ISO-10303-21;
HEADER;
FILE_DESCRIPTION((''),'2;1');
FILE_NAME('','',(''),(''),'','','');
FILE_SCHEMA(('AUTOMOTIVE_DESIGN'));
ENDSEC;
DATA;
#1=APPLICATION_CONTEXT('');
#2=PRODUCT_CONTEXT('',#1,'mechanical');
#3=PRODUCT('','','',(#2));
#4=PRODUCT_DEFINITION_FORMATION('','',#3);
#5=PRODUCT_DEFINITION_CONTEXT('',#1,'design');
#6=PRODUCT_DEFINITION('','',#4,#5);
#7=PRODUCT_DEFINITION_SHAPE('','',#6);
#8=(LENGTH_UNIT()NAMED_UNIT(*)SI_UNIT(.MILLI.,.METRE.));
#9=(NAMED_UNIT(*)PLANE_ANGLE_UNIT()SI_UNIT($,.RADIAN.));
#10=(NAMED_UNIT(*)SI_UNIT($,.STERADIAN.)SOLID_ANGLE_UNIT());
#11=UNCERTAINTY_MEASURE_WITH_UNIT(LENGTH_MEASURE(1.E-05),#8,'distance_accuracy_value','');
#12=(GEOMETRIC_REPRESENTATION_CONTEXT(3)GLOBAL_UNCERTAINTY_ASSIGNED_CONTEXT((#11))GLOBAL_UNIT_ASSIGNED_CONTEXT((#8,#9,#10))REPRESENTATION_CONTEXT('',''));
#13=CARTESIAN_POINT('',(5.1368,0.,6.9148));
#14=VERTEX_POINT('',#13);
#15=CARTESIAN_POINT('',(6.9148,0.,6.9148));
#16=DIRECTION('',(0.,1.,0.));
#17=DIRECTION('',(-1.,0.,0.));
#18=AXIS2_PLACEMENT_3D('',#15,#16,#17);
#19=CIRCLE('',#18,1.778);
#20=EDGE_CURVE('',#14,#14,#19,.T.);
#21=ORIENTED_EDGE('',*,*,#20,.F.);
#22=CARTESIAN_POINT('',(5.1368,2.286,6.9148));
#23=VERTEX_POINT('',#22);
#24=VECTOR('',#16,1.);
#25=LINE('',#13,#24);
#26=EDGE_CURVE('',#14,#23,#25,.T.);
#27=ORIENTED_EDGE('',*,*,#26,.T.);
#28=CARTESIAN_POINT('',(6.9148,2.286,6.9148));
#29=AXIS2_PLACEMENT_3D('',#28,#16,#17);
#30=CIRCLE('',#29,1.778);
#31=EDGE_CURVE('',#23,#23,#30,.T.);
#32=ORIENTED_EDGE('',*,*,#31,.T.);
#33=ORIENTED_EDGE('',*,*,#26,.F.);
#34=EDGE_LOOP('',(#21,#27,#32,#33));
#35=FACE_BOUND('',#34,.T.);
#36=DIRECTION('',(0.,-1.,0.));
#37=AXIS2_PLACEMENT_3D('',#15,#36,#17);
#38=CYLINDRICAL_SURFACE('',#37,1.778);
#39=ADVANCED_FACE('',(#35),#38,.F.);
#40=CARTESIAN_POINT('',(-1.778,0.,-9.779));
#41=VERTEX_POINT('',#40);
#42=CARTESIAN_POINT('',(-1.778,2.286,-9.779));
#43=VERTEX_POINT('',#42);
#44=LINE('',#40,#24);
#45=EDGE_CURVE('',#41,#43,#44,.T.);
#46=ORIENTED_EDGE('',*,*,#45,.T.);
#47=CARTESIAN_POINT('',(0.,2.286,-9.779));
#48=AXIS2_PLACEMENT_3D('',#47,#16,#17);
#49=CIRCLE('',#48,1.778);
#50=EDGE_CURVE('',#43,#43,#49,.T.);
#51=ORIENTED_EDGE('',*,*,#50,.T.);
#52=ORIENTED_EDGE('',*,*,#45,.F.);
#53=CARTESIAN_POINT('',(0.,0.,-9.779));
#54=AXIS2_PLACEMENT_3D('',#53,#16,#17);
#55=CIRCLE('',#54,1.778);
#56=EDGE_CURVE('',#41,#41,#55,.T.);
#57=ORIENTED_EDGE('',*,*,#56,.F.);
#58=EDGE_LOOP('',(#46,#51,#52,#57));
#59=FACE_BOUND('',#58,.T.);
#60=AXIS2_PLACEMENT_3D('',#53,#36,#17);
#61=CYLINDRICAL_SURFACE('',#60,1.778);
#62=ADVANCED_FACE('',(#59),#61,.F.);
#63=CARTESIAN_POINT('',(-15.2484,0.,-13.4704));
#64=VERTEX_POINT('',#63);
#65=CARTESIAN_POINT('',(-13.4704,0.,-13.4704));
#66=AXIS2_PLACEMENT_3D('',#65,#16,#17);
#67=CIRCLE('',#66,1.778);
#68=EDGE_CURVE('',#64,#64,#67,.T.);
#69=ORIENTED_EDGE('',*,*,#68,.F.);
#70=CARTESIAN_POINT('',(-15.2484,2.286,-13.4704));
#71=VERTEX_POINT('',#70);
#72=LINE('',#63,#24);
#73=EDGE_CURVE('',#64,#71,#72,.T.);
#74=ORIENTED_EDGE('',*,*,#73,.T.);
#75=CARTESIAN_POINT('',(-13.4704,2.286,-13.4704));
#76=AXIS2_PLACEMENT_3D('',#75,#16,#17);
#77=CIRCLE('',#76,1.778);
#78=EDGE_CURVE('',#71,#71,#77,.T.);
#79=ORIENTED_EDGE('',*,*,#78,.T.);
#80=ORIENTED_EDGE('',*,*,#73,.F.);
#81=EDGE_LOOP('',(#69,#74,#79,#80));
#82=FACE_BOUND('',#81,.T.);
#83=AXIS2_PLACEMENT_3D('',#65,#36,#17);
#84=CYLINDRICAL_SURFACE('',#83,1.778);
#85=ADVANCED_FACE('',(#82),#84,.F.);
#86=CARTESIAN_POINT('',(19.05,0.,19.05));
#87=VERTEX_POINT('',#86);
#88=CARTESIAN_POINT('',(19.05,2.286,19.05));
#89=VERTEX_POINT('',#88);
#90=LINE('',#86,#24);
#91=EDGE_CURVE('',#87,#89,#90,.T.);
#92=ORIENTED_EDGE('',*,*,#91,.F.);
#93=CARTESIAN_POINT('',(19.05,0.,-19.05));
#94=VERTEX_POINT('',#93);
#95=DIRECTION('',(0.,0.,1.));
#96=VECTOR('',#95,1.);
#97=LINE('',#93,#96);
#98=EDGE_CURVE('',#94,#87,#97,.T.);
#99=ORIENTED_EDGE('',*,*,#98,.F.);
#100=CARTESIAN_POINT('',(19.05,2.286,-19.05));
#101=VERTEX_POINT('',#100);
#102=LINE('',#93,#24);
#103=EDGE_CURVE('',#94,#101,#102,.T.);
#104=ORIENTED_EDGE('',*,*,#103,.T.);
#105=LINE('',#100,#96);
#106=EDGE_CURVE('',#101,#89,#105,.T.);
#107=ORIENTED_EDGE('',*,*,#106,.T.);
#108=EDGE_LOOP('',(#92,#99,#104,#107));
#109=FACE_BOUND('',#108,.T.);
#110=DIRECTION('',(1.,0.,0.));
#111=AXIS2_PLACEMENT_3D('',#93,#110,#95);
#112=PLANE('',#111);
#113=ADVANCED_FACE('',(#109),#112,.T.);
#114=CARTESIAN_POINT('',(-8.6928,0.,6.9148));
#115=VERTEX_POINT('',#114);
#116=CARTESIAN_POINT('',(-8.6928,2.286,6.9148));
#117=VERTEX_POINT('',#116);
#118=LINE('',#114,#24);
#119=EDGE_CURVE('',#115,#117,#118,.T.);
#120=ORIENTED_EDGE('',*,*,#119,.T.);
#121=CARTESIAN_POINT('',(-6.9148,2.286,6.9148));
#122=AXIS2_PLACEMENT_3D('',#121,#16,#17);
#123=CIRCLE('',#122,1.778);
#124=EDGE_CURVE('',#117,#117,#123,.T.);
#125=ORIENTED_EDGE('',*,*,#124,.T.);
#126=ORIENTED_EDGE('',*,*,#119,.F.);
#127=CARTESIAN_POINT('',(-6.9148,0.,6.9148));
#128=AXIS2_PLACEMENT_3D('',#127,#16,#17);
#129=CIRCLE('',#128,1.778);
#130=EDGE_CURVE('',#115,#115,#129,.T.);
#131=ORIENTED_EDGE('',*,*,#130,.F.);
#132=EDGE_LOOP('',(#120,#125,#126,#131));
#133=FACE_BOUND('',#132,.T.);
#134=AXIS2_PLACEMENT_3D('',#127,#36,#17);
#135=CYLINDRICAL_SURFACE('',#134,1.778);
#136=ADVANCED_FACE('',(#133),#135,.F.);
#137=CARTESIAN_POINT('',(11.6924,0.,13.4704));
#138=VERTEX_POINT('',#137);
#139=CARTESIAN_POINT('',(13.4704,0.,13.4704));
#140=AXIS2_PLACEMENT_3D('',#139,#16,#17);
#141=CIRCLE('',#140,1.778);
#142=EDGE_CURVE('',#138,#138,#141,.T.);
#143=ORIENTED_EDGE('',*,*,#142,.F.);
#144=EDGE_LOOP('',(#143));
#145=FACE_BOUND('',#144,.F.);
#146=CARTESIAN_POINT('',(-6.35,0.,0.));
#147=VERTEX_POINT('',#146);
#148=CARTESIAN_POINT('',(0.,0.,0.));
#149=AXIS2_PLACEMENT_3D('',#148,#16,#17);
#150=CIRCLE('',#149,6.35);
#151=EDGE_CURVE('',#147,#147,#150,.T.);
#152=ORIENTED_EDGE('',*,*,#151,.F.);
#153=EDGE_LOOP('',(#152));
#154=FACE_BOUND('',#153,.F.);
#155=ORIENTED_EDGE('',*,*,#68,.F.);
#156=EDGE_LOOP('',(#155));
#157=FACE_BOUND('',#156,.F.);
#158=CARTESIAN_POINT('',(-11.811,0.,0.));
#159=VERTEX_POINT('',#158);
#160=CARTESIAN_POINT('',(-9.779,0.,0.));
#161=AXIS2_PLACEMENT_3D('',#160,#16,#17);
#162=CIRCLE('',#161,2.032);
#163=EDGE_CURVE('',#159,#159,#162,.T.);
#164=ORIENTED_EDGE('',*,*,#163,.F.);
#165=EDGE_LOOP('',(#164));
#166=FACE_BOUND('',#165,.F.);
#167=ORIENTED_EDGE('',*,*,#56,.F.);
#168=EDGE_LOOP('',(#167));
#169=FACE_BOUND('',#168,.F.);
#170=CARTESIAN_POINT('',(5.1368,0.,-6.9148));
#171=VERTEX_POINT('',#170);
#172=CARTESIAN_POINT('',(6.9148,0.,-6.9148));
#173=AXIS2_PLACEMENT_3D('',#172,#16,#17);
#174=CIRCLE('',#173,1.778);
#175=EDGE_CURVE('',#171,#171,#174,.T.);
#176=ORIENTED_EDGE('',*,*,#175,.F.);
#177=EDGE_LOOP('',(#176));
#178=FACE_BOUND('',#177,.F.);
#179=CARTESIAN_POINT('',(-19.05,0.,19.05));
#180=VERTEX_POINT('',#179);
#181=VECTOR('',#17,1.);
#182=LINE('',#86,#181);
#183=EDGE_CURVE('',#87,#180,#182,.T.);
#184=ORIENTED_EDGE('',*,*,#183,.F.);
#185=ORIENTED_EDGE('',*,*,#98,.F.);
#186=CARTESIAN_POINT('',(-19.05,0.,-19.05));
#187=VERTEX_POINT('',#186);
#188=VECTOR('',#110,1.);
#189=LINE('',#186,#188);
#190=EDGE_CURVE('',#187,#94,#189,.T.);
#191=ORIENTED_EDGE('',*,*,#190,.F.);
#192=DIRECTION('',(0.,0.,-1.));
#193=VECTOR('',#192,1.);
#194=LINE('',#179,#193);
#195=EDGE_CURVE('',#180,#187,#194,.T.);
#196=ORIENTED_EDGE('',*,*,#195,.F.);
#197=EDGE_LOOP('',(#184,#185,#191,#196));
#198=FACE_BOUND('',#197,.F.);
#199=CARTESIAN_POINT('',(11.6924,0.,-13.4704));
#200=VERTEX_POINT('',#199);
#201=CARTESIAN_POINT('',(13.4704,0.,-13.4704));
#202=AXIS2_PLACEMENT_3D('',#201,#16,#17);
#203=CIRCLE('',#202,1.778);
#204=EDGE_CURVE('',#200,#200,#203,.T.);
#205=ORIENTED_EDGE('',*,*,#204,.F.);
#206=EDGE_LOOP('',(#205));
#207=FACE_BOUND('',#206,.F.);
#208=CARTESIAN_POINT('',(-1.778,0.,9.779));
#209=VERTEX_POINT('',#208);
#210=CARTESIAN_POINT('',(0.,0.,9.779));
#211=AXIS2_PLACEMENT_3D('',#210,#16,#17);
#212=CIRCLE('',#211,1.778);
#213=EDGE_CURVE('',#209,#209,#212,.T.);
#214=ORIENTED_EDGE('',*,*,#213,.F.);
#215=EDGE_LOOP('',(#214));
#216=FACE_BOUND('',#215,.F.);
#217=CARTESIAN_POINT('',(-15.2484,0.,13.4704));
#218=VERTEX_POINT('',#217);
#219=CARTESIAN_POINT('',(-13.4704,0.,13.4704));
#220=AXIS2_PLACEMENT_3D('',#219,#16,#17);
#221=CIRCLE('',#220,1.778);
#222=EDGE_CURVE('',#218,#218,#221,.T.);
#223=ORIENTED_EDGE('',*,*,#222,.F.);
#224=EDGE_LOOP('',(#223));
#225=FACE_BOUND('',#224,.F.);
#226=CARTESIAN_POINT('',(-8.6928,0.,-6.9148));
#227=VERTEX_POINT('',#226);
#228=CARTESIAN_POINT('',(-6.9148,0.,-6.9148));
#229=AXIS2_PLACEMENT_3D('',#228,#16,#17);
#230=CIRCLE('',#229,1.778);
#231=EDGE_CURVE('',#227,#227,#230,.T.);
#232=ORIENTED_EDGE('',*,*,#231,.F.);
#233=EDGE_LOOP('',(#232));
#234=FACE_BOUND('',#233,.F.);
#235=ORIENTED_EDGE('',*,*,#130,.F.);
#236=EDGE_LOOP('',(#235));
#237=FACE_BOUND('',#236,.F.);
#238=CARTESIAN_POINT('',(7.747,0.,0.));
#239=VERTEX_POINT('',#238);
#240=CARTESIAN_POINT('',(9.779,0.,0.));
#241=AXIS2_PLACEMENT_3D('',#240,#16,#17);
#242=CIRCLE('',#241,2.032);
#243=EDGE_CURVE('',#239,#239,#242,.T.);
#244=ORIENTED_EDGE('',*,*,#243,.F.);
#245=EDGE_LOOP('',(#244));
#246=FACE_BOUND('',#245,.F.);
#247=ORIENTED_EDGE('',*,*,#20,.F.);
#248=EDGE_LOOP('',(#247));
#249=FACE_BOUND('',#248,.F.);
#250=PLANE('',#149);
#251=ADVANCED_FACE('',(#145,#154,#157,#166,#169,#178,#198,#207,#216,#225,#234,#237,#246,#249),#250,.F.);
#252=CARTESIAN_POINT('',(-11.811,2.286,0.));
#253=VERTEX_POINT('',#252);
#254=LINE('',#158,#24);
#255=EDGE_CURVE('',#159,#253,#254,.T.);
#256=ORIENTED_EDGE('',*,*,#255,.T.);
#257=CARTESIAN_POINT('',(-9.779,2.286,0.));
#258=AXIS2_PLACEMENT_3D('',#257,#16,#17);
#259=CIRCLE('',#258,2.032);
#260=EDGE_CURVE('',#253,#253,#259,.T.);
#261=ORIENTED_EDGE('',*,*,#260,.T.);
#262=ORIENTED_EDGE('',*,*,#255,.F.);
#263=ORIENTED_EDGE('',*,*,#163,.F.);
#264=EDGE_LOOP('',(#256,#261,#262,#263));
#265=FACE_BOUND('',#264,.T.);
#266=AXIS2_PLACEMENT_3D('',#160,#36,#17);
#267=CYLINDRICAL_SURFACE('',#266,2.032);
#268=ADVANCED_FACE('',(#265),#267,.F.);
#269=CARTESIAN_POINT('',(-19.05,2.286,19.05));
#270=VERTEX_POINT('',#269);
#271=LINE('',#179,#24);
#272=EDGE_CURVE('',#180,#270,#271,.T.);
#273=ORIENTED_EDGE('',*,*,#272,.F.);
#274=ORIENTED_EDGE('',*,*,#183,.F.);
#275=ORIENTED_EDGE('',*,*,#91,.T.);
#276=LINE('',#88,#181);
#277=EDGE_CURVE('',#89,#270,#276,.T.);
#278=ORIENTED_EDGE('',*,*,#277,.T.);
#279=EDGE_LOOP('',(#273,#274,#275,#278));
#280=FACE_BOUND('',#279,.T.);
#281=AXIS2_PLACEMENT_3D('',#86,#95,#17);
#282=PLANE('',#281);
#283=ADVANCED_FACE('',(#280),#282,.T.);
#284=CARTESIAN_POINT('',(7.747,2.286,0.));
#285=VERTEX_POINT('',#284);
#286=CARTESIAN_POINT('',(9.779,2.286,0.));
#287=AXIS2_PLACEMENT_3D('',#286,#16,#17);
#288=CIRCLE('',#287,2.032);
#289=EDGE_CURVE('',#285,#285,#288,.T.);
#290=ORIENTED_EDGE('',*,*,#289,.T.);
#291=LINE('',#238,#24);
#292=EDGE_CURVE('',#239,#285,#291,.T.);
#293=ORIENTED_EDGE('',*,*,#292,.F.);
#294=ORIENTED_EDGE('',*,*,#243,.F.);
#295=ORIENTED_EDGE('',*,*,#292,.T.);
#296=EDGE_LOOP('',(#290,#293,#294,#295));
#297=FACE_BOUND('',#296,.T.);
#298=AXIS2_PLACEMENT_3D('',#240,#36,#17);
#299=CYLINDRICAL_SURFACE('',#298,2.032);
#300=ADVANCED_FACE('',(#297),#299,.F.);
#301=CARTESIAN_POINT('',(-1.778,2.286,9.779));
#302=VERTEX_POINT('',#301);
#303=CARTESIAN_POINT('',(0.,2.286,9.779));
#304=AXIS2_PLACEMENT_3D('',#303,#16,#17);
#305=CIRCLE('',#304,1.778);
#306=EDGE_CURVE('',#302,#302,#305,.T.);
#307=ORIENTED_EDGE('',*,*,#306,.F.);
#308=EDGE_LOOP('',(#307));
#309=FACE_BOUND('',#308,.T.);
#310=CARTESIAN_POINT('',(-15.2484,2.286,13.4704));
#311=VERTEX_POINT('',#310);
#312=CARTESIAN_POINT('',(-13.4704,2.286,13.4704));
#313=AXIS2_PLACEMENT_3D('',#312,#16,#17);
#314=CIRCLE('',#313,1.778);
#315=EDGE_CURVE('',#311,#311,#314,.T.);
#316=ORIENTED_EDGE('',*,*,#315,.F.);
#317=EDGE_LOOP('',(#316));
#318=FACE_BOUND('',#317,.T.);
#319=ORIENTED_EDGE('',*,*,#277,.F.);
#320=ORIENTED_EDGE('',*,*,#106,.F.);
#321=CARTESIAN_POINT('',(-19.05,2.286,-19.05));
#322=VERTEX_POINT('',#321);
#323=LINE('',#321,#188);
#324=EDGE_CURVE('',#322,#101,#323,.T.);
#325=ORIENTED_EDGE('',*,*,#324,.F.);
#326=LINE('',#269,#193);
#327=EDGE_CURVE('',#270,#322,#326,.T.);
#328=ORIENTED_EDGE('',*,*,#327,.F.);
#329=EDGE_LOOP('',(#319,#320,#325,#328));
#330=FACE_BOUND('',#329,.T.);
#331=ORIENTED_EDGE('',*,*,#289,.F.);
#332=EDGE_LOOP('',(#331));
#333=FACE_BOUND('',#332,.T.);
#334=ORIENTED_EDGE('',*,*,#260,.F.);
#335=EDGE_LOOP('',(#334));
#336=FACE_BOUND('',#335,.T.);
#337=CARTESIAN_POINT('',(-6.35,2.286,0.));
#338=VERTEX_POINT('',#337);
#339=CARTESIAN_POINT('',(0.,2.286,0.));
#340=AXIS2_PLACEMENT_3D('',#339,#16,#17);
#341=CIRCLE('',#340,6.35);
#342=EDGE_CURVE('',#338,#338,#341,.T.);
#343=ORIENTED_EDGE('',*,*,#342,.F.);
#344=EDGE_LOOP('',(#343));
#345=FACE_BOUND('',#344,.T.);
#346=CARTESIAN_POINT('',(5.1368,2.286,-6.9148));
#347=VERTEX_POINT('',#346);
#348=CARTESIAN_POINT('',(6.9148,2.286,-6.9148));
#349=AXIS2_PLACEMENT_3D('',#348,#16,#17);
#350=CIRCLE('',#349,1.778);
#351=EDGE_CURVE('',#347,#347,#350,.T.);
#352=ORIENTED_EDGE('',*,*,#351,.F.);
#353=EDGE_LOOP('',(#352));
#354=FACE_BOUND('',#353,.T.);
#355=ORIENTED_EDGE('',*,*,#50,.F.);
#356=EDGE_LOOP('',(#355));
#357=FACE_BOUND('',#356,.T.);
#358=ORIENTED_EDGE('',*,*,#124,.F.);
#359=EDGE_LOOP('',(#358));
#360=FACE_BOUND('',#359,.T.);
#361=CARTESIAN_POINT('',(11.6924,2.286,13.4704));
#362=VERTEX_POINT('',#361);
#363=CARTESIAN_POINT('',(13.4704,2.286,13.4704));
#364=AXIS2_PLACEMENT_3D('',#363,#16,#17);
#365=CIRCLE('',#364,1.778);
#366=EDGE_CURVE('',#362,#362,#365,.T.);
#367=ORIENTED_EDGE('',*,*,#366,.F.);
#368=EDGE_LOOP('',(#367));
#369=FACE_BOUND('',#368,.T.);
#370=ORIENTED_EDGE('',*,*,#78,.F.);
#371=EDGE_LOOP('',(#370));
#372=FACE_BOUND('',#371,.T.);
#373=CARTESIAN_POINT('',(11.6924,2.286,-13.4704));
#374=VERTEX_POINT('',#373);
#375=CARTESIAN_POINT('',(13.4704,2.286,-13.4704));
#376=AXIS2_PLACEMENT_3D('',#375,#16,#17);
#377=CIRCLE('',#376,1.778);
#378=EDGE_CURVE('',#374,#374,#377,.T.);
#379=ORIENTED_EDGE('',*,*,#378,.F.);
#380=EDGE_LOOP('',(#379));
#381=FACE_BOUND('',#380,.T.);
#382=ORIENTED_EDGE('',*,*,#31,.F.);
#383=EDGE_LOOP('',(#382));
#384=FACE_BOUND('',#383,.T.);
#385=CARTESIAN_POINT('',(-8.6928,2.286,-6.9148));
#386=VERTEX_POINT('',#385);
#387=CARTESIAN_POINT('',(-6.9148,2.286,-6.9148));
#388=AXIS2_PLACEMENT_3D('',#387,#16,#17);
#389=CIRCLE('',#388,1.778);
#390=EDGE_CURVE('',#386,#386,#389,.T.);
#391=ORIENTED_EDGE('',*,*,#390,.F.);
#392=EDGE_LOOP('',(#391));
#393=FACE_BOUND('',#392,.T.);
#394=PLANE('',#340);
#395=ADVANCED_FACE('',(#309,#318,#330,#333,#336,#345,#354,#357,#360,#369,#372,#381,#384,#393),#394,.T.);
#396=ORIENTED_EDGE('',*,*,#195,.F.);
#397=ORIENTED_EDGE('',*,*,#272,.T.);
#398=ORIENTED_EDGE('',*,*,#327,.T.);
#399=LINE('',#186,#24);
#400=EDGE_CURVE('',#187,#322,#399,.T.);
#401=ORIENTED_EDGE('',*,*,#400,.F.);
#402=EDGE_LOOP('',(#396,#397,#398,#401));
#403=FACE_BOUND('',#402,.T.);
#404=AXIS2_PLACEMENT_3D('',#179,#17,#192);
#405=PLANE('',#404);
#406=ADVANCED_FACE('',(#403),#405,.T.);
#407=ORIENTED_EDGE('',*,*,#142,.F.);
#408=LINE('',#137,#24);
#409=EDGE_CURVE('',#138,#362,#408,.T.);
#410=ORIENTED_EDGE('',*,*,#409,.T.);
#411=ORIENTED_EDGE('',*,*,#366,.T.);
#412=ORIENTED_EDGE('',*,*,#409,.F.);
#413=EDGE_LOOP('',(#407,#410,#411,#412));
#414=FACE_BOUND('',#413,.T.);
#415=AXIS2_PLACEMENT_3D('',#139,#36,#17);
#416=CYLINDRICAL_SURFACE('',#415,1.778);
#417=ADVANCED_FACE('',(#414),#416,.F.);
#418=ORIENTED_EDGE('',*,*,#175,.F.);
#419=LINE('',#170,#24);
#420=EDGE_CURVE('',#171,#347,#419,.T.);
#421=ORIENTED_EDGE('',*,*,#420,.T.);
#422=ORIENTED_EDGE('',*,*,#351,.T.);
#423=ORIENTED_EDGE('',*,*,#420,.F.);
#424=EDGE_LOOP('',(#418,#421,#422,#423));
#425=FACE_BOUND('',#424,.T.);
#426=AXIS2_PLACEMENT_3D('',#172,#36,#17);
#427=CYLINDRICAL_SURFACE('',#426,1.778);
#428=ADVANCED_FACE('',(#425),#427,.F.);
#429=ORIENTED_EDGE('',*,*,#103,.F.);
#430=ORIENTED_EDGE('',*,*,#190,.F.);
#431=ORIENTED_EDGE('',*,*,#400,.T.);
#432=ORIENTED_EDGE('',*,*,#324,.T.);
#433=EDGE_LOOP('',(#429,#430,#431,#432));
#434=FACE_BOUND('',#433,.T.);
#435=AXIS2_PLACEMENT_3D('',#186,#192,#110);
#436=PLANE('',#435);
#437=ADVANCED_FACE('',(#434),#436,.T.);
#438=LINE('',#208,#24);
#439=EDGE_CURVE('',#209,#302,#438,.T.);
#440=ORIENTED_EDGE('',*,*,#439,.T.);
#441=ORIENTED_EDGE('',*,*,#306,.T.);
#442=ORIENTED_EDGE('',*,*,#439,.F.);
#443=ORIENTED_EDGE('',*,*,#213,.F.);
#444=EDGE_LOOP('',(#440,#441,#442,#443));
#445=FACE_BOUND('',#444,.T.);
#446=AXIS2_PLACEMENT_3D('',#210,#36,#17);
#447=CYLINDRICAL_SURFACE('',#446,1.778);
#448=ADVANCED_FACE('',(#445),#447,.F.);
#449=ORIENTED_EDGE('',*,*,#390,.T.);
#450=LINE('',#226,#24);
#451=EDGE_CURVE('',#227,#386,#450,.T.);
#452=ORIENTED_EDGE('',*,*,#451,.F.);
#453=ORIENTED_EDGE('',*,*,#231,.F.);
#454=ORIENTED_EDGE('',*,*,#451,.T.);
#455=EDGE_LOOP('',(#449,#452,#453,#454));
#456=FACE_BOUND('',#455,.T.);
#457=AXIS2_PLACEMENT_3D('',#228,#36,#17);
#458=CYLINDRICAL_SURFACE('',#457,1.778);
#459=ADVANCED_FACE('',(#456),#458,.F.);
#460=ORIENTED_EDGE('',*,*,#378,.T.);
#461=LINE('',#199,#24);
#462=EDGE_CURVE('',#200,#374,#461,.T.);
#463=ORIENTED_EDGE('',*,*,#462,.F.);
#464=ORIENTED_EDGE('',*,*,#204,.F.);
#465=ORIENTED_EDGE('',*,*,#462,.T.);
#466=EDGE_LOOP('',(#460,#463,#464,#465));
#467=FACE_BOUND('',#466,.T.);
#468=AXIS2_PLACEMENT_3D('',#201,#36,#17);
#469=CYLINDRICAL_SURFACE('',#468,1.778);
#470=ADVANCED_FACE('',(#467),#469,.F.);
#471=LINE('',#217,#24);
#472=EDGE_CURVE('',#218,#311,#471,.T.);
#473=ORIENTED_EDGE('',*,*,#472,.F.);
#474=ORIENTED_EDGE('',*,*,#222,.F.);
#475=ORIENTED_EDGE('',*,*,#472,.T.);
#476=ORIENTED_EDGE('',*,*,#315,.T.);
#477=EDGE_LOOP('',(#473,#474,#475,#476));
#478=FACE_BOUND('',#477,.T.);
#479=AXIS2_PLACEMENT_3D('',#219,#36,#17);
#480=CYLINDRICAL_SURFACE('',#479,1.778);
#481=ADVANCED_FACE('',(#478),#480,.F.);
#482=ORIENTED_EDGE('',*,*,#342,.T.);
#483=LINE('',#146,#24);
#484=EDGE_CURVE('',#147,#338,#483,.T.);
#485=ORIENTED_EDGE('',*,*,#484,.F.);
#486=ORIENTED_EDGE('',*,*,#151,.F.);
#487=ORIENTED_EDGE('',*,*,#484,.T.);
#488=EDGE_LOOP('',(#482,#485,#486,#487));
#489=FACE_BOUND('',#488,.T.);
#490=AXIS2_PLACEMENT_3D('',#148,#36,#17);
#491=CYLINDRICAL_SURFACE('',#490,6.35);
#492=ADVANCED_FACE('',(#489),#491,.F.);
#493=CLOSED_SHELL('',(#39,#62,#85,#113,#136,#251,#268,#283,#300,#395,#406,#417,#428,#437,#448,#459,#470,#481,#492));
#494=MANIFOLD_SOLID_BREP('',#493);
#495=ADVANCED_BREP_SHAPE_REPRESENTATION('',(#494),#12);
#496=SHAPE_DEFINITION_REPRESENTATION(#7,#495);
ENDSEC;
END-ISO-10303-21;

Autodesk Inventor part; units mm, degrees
ref_plane "YZ Plane" through (0, 0, 0) normal (1, 0, 0) x (0, 1, 0)
ref_plane "XZ Plane" through (0, 0, 0) normal (0, 1, 0) x (-1, 0, 0)
ref_plane "XY Plane" through (0, 0, 0) normal (0, 0, 1) x (1, 0, 0)
sketch "Sketch1" plane through (0, 0, 0) normal (0, 1, 0) x (-1, 0, 0)
  line L0 (-19.05, 19.05) -> (19.05, 19.05)
  line L1 (19.05, 19.05) -> (19.05, -19.05)
  line L2 (19.05, -19.05) -> (-19.05, -19.05)
  line L3 (-19.05, -19.05) -> (-19.05, 19.05)
  circle A0 centre (0, 0) radius 6.35
  circle A1 centre (0, 0) radius 19.05 construction
  circle A2 centre (0, 0) radius 9.779 construction
  line L4 (19.05, -19.05) -> (-19.05, 19.05) construction
  line L5 (19.05, 19.05) -> (-19.05, -19.05) construction
  circle A3 centre (0, -9.779) radius 1.778
  circle A4 centre (6.9148, -6.9148) radius 1.778
  circle A5 centre (-6.9148, -6.9148) radius 1.778
  circle A6 centre (-6.9148, 6.9148) radius 1.778
  circle A7 centre (0, 9.779) radius 1.778
  circle A8 centre (6.9148, 6.9148) radius 1.778
  circle A9 centre (-9.779, 0) radius 2.032
  circle A10 centre (9.779, 0) radius 2.032
  circle A11 centre (-13.4704, 13.4704) radius 1.778
  circle A12 centre (13.4704, 13.4704) radius 1.778
  circle A13 centre (13.4704, -13.4704) radius 1.778
  circle A14 centre (-13.4704, -13.4704) radius 1.778
  dimension "d5" = 19.558
  dimension "d0" = 19.05
  dimension "d1" = 38.1
  dimension "d2" = 38.1
  dimension "d3" = 19.05
  dimension "d4" = 12.7
  dimension "d6" = 3.556
  dimension "d7" = 3.556
  dimension "d8" = 3.556
  dimension "d9" = 3.556
  dimension "d10" = 3.556
  dimension "d11" = 3.556
  dimension "d12" = 4.064
  dimension "d13" = 4.064
  dimension "d14" = 3.556
  dimension "d15" = 3.556
  dimension "d16" = 3.556
  dimension "d17" = 3.556
extrude "Extrusion1" add sketch "Sketch1" along normal blind 2.286
sketch "Sketch2" plane through (-19.05, 0, -19.05) normal (-1, 0, 0) x (0, 0, 1)
  line L0 (38.1, 0) -> (0, 0) projected
  line L1 (38.1, 0) -> (38.1, 2.286) projected
  line L2 (0, 2.286) -> (38.1, 2.286) projected
  line L3 (0, 0) -> (0, 2.286) projected
  circle A0 centre (46.9646, 57.15) radius 6.35
  line L4 (46.9646, 57.15) -> (0, 10.1854) construction
  line L5 (46.9646, 57.15) -> (113.3826, 57.15) construction
  circle A1 centre (33.4942, 43.6796) radius 6.35
  circle A2 centre (20.0238, 30.2092) radius 6.35
  circle A3 centre (46.9646, 57.15) radius 9.779 construction
  circle A4 centre (46.9646, 57.15) radius 19.05 construction
  line L6 (42.4745, 52.6599) -> (60.435, 70.6204) construction
  line L7 (46.9646, 57.15) -> (60.4393, 57.15) construction
  line L8 (60.435, 43.6796) -> (33.4942, 70.6204) construction
  line L9 (46.9646, 57.15) -> (60.4393, 57.15) construction
  line L10 (27.9146, 57.15) -> (66.0146, 57.15) construction
  circle A5 centre (40.0498, 64.0648) radius 1.778
  circle A6 centre (46.9646, 66.929) radius 1.778
  circle A7 centre (37.1856, 57.15) radius 1.778
  circle A8 centre (46.9646, 47.371) radius 1.778
  circle A9 centre (53.8794, 50.2352) radius 1.778
  circle A10 centre (56.7436, 57.15) radius 1.778
  circle A11 centre (53.8794, 64.0648) radius 2.032
  circle A12 centre (40.0498, 50.2352) radius 2.032
  circle A13 centre (46.9646, 76.2) radius 1.778
  circle A14 centre (27.9146, 57.15) radius 1.778
  circle A15 centre (46.9646, 38.1) radius 1.778
  circle A16 centre (66.0146, 57.15) radius 1.778
  point P0 (19.05, 0)
  dimension "d20" = 12.7
  dimension "d28" = 19.558
  dimension "d29" = 38.1
  dimension "d21" = 57.15
  dimension "d22" = 46.9646
  dimension "d23" = 135
  dimension "d24" = 12.7
  dimension "d25" = 19.05
  dimension "d26" = 12.7
  dimension "d27" = 19.05
  dimension "d30" = 45
  dimension "d31" = 135
  dimension "d32" = 3.556
  dimension "d33" = 3.556
  dimension "d34" = 3.556
  dimension "d35" = 3.556
  dimension "d36" = 3.556
  dimension "d37" = 3.556
  dimension "d38" = 4.064
  dimension "d39" = 4.064
  dimension "d40" = 3.556
  dimension "d41" = 3.556
  dimension "d42" = 3.556
  dimension "d43" = 3.556
properties part number "Channel Bracket B"
